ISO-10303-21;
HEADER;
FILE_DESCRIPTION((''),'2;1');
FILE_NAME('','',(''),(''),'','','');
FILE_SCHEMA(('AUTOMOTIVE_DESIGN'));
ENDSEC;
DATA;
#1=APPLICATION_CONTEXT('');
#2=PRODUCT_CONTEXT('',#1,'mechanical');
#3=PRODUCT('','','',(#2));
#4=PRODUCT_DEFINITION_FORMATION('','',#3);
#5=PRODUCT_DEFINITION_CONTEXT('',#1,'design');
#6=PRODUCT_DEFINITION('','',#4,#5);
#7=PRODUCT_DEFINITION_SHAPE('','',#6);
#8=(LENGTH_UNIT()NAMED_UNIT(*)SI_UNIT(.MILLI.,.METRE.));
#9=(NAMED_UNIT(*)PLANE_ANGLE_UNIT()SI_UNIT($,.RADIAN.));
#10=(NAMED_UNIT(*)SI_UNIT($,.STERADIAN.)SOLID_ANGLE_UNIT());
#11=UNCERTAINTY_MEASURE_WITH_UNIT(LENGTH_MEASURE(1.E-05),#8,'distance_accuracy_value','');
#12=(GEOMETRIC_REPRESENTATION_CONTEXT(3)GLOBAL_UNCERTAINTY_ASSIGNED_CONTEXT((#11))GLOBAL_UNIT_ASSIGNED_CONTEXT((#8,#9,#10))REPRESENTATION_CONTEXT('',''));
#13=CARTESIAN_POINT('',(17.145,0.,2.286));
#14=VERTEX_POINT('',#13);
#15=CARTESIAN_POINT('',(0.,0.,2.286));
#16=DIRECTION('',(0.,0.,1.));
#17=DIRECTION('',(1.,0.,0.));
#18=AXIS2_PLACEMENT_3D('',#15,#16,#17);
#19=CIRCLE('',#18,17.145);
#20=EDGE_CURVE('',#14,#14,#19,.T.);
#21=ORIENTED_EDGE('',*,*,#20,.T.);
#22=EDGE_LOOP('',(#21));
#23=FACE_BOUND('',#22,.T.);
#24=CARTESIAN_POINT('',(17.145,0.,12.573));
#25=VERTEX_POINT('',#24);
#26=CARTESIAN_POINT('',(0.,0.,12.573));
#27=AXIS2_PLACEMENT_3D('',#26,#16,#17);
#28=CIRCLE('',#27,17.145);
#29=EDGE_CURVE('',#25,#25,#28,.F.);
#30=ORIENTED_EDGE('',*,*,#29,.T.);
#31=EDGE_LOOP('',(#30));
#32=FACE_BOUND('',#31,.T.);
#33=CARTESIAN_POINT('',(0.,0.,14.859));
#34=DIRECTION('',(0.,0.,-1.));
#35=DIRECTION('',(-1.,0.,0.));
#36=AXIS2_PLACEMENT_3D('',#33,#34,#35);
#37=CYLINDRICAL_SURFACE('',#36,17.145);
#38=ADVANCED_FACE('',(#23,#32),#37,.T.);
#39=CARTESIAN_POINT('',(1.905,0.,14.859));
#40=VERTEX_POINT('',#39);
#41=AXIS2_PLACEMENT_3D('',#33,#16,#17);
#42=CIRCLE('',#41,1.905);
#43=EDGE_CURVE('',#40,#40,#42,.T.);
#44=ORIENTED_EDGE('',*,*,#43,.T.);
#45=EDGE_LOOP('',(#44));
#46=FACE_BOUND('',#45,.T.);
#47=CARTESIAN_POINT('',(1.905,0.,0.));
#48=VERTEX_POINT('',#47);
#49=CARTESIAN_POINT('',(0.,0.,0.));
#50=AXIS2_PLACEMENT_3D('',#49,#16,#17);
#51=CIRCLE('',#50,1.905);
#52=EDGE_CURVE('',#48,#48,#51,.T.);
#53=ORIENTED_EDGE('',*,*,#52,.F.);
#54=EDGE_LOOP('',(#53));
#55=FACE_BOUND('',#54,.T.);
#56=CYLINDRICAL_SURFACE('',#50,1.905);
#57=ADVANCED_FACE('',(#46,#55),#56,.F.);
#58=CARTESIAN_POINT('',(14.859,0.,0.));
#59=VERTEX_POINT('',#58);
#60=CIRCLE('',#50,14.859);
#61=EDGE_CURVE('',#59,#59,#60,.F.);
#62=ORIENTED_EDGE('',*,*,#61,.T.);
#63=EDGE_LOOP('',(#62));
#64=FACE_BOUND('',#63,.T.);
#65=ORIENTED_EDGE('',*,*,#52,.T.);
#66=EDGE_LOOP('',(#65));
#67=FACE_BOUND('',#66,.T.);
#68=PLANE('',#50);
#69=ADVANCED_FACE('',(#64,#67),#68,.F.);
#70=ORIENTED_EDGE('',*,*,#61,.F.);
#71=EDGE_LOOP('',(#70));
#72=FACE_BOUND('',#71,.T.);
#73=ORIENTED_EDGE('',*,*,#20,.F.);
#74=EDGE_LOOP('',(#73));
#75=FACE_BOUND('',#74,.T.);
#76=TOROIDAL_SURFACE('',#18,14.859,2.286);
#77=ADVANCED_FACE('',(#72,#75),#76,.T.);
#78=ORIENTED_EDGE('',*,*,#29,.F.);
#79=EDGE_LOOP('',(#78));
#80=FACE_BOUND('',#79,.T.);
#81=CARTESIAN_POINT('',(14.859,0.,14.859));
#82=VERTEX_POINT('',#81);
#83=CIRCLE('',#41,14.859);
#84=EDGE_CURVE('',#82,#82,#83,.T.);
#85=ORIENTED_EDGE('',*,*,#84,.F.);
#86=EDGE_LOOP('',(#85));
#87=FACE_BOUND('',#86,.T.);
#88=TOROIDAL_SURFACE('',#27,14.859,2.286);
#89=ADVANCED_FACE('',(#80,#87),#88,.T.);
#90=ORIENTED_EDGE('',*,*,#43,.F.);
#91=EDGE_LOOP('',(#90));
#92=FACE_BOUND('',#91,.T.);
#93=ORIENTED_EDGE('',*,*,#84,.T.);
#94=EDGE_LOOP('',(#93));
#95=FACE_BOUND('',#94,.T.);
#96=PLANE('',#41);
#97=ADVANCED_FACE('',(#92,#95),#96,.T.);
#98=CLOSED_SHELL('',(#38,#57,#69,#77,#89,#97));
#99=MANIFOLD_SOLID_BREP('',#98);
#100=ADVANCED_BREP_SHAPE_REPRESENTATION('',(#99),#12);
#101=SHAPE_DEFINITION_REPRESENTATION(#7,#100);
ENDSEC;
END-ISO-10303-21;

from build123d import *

# Parameters (mm, degrees)
SKETCH1_R           = 38.1
BOSS_EXTRUDE1_DEPTH = 33.02
FILLET1_R           = 5.08
SCALE1_SCALE        = 0.45
SKETCH3_R           = 1.905
CUT_EXTRUDE1_DEPTH  = 29.437509287


with BuildPart() as part:
    # Sketch1 → Boss-Extrude1 (new body)
    with BuildSketch(Plane.XY):
        Circle(SKETCH1_R)
    extrude(amount=BOSS_EXTRUDE1_DEPTH)

    # Fillet1
    fillet1_edges = [part.edges().sort_by_distance(p)[0] for p in [
        (-38.1, 0, 0),
        (-38.1, 0, 33.02),
    ]]
    fillet(fillet1_edges, radius=FILLET1_R)


with BuildPart() as part_1:
    # Scale1: scaled about (0, 0, 0)
    add(part.part.scale(SCALE1_SCALE))

    # Sketch3 → Cut-Extrude1 (cut, through all)
    with BuildSketch(Plane.XY.offset(14.859)):
        Circle(SKETCH3_R)
    extrude(amount=-CUT_EXTRUDE1_DEPTH, mode=Mode.SUBTRACT)


solid = part_1.part
